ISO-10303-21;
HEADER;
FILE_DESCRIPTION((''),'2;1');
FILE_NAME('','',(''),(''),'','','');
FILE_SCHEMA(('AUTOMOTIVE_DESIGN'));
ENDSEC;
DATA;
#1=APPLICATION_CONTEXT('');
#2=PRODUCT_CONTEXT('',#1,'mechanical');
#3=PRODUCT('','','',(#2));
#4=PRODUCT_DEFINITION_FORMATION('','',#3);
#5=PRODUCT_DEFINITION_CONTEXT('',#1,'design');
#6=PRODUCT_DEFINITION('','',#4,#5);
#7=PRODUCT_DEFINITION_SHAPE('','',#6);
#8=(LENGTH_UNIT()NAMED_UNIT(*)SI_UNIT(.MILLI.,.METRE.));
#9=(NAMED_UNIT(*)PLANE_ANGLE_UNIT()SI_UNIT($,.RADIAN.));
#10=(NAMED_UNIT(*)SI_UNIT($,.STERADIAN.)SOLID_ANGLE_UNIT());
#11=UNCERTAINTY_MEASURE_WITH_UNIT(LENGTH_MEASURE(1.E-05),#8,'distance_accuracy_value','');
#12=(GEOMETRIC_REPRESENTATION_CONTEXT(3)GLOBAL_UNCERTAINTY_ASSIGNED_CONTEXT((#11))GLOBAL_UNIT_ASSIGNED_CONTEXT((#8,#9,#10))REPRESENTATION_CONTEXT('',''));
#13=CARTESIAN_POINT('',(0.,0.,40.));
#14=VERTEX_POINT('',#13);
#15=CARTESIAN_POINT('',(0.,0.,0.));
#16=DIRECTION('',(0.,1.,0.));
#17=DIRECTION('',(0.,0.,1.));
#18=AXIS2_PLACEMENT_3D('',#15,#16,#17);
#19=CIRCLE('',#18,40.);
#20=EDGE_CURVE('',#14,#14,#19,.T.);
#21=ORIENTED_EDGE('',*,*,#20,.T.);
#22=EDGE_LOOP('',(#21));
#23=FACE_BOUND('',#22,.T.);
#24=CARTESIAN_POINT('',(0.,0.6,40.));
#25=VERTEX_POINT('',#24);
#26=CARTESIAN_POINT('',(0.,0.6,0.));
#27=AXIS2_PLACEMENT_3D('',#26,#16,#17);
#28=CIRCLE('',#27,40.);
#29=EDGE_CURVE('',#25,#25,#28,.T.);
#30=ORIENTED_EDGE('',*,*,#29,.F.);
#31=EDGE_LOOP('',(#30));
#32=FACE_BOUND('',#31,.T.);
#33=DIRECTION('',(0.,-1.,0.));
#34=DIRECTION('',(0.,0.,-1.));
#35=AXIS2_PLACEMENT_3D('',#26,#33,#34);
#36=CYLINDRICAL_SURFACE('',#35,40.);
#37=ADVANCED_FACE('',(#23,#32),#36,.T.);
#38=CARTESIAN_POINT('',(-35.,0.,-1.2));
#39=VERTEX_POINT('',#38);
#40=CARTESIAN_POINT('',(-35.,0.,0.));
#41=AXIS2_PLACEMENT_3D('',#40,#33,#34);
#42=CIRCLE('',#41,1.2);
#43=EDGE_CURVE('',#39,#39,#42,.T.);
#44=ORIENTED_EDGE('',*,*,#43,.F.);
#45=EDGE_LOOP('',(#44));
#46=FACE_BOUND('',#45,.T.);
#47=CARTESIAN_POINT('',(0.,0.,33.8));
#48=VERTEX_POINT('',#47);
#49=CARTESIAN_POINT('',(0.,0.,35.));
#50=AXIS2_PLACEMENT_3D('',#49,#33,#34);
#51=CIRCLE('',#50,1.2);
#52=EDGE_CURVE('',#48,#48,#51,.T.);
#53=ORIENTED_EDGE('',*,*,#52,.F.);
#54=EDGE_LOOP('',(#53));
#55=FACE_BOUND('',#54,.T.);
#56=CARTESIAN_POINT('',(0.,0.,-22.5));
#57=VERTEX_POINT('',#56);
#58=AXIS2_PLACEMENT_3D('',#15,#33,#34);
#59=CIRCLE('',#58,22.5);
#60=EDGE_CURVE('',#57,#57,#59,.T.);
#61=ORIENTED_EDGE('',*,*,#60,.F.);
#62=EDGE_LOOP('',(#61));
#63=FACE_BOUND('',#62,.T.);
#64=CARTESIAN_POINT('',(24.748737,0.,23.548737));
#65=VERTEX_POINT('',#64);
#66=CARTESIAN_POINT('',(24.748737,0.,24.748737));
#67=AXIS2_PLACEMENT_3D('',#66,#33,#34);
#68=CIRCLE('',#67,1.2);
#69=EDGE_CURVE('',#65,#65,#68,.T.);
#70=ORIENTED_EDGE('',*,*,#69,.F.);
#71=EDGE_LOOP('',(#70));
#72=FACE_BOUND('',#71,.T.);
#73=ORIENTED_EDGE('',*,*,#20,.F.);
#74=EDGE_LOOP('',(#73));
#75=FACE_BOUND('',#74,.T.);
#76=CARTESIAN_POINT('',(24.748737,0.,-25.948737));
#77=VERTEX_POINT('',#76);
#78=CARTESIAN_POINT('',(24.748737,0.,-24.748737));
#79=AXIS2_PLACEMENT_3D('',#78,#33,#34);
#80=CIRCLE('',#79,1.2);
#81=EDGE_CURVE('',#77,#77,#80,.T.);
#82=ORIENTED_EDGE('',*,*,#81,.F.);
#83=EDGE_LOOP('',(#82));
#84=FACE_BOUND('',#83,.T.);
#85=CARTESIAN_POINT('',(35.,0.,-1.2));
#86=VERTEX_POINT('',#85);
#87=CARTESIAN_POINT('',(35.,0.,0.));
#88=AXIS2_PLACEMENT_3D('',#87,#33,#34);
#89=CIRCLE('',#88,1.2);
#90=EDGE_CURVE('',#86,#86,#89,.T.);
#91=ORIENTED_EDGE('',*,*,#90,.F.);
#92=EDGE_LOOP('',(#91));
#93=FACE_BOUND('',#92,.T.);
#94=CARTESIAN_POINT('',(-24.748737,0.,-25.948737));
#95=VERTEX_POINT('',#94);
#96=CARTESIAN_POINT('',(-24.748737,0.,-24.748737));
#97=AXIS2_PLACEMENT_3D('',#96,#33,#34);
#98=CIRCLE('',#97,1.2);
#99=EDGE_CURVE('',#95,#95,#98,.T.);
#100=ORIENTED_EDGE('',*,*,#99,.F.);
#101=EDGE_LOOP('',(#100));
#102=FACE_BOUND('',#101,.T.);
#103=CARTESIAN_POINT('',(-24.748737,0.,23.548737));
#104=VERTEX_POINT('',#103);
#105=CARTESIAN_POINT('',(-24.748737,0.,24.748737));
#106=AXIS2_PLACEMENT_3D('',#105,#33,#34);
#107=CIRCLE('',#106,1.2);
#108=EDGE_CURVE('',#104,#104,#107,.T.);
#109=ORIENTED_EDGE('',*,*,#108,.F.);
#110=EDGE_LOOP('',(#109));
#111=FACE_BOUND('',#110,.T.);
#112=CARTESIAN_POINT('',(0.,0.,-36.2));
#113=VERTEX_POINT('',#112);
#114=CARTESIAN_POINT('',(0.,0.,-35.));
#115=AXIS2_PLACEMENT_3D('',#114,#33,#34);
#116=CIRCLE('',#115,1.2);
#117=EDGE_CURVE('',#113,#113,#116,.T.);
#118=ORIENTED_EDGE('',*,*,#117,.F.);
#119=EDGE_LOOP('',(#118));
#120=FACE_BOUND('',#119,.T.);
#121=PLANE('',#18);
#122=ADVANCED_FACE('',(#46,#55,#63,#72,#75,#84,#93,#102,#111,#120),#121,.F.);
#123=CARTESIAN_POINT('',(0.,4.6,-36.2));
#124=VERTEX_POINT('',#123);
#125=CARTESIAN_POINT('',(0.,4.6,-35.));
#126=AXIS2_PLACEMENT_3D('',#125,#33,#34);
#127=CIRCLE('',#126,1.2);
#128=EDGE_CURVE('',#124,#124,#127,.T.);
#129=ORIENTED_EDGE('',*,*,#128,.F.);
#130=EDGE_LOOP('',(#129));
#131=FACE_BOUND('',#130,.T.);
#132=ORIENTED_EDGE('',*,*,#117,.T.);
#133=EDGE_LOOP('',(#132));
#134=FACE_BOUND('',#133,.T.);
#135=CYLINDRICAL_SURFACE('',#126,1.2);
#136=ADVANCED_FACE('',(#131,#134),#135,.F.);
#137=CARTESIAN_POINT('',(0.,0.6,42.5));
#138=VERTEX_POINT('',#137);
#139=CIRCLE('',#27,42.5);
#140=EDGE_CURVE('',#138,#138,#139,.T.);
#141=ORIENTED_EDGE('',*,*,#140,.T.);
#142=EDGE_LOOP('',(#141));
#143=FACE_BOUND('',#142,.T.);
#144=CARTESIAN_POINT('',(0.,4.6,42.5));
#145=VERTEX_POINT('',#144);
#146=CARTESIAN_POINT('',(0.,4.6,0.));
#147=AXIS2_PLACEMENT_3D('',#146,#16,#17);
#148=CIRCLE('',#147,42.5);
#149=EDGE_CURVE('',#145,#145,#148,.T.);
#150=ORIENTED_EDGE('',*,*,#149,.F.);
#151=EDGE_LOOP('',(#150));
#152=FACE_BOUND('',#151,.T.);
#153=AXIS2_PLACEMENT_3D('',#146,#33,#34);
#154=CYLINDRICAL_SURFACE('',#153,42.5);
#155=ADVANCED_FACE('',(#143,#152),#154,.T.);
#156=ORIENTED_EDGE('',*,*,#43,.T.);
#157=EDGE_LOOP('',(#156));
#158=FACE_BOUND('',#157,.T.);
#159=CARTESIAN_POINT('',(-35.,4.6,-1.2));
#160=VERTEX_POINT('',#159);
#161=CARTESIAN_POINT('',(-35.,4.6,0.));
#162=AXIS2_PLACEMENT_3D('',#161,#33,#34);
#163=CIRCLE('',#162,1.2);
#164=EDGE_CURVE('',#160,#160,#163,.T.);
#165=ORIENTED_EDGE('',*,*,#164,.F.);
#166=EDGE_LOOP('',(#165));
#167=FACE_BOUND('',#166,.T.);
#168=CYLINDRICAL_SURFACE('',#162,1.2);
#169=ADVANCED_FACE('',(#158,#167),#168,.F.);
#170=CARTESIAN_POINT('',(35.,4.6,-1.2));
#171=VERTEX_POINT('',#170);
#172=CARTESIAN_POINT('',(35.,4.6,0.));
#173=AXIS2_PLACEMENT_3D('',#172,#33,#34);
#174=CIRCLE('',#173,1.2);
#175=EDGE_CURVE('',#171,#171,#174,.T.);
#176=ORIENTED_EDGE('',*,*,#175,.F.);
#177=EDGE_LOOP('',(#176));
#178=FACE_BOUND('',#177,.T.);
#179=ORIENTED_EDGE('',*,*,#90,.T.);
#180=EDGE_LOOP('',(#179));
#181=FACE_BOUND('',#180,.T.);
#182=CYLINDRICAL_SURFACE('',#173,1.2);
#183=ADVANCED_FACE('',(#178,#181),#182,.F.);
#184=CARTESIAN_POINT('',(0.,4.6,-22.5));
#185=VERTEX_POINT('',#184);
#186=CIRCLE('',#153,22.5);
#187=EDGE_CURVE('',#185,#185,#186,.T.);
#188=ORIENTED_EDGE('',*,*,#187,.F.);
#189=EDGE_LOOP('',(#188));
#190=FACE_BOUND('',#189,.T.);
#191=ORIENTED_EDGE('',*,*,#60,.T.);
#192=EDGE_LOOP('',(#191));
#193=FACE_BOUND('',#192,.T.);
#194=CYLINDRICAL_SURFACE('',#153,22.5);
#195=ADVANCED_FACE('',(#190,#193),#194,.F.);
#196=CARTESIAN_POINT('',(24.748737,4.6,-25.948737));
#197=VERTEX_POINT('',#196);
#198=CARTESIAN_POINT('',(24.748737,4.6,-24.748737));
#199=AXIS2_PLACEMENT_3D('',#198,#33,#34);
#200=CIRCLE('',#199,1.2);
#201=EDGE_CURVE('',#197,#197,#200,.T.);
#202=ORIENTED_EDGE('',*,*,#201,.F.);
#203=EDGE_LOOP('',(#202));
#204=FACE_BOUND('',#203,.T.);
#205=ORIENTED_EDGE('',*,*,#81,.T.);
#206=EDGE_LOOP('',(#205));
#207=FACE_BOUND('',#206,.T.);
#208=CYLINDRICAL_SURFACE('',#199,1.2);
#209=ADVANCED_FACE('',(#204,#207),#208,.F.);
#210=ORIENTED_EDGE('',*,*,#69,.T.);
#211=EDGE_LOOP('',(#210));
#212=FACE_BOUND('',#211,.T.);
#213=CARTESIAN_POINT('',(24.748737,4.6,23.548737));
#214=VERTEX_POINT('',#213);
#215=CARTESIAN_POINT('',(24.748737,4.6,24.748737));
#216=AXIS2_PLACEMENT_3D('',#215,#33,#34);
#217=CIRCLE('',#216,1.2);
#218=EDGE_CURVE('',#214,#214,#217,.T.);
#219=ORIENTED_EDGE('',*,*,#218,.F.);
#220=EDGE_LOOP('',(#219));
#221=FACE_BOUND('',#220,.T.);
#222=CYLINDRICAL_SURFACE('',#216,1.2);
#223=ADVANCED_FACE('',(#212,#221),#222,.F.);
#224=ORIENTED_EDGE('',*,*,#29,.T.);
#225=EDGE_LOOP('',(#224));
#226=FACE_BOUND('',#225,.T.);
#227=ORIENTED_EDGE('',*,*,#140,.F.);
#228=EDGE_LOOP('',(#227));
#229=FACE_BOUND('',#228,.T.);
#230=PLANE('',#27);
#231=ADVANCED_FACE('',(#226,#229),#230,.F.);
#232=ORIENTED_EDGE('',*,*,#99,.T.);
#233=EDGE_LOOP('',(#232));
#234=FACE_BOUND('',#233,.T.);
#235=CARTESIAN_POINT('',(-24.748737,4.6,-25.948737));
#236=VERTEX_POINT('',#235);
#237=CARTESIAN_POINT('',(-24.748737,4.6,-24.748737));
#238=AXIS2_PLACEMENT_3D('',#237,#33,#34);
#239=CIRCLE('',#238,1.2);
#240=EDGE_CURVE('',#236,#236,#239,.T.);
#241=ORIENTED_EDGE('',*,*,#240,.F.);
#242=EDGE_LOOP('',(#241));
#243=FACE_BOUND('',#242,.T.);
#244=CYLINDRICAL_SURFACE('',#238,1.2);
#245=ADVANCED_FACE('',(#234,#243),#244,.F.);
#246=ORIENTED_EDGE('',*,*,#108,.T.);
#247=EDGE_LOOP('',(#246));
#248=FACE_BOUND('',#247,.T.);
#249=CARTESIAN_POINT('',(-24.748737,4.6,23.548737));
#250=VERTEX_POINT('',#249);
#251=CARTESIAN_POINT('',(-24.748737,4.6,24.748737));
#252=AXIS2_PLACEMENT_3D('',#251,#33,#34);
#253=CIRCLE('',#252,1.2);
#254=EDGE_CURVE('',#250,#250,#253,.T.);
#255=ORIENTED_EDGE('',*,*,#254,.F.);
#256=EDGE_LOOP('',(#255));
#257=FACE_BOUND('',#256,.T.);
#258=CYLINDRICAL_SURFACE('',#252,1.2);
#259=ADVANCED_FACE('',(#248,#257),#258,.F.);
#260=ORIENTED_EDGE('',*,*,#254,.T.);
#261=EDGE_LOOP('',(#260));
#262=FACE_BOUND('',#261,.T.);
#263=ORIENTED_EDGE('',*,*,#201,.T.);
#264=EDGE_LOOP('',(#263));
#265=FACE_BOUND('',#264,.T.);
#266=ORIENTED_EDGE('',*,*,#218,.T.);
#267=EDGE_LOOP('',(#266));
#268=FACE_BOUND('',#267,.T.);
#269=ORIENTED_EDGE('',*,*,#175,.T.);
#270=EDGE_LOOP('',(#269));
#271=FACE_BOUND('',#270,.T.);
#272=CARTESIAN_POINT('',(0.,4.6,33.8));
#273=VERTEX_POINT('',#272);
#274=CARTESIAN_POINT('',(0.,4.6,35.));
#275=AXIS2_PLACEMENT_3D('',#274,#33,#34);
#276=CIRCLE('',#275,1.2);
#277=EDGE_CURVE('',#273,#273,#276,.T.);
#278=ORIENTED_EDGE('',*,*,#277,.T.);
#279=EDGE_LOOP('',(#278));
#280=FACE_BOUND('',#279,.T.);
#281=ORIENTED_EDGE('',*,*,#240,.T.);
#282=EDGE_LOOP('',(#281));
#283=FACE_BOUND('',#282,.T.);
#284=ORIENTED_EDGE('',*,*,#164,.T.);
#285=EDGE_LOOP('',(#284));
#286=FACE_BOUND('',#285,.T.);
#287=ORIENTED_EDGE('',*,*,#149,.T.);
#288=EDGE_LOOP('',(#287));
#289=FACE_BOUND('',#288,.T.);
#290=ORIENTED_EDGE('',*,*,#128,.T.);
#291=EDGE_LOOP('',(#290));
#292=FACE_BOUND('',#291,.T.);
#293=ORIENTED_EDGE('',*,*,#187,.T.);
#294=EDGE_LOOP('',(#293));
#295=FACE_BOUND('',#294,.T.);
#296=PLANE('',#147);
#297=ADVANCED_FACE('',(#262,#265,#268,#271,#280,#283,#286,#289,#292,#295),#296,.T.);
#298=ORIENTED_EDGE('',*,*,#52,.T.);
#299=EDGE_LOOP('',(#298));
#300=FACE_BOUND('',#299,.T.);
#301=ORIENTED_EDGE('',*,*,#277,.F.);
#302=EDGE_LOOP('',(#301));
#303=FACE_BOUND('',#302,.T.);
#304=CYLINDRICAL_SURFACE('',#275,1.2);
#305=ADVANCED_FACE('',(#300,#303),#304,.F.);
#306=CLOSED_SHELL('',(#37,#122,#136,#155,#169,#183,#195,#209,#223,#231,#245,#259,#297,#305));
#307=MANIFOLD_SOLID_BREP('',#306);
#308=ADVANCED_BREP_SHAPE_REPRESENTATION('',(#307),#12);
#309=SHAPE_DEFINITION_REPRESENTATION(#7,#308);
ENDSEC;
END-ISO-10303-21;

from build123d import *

# Parameters (mm, degrees)
SKETCH1_R           = 40
BOSS_EXTRUDE1_DEPTH = 0.6
SKETCH2_R           = 42.5
BOSS_EXTRUDE2_DEPTH = 4
SKETCH3_R           = 22.5
CUT_EXTRUDE1_DEPTH  = 61.279847379
SKETCH4_R           = 1.2
CUT_EXTRUDE4_DEPTH  = 61.279847379


with BuildPart() as part:
    # Sketch1 → Boss-Extrude1 (new body)
    with BuildSketch(Plane(origin=(0, 0, 0), x_dir=(1, 0, 0), z_dir=(0, 1, 0))):
        with Locations(Location((0, 0, 0), (0, 0, 270))):
            Circle(SKETCH1_R)
    extrude(amount=BOSS_EXTRUDE1_DEPTH)

    # Sketch2 → Boss-Extrude2 (add)
    with BuildSketch(Plane(origin=(0, 0.6, 0), x_dir=(1, 0, 0), z_dir=(0, 1, 0))):
        with Locations(Location((0, 0, 0), (0, 0, 270))):
            Circle(SKETCH2_R)
    extrude(amount=BOSS_EXTRUDE2_DEPTH)

    # Sketch3 → Cut-Extrude1 (cut, through all)
    with BuildSketch(Plane.XZ):
        with Locations(Location((0, 0, 0), (0, 0, 270))):
            Circle(SKETCH3_R)
    extrude(amount=-CUT_EXTRUDE1_DEPTH, mode=Mode.SUBTRACT)

    # Sketch4 → Cut-Extrude4 (cut, through all)
    with BuildSketch(Plane.XZ):
        with Locations(Location((0, 35, 0), (0, 0, 270))):
            Circle(SKETCH4_R)
        with Locations(Location((24.748737342, 24.748737342, 0), (0, 0, 270))):
            Circle(SKETCH4_R)
        with Locations(Location((35, 0, 0), (0, 0, 270))):
            Circle(SKETCH4_R)
        with Locations(Location((24.748737342, -24.748737342, 0), (0, 0, 270))):
            Circle(SKETCH4_R)
        with Locations(Location((0, -35, 0), (0, 0, 270))):
            Circle(SKETCH4_R)
        with Locations(Location((-24.748737342, -24.748737342, 0), (0, 0, 270))):
            Circle(SKETCH4_R)
        with Locations(Location((-35, 0, 0), (0, 0, 270))):
            Circle(SKETCH4_R)
        with Locations(Location((-24.748737342, 24.748737342, 0), (0, 0, 270))):
            Circle(SKETCH4_R)
    extrude(amount=-CUT_EXTRUDE4_DEPTH, mode=Mode.SUBTRACT)


solid = part.part
